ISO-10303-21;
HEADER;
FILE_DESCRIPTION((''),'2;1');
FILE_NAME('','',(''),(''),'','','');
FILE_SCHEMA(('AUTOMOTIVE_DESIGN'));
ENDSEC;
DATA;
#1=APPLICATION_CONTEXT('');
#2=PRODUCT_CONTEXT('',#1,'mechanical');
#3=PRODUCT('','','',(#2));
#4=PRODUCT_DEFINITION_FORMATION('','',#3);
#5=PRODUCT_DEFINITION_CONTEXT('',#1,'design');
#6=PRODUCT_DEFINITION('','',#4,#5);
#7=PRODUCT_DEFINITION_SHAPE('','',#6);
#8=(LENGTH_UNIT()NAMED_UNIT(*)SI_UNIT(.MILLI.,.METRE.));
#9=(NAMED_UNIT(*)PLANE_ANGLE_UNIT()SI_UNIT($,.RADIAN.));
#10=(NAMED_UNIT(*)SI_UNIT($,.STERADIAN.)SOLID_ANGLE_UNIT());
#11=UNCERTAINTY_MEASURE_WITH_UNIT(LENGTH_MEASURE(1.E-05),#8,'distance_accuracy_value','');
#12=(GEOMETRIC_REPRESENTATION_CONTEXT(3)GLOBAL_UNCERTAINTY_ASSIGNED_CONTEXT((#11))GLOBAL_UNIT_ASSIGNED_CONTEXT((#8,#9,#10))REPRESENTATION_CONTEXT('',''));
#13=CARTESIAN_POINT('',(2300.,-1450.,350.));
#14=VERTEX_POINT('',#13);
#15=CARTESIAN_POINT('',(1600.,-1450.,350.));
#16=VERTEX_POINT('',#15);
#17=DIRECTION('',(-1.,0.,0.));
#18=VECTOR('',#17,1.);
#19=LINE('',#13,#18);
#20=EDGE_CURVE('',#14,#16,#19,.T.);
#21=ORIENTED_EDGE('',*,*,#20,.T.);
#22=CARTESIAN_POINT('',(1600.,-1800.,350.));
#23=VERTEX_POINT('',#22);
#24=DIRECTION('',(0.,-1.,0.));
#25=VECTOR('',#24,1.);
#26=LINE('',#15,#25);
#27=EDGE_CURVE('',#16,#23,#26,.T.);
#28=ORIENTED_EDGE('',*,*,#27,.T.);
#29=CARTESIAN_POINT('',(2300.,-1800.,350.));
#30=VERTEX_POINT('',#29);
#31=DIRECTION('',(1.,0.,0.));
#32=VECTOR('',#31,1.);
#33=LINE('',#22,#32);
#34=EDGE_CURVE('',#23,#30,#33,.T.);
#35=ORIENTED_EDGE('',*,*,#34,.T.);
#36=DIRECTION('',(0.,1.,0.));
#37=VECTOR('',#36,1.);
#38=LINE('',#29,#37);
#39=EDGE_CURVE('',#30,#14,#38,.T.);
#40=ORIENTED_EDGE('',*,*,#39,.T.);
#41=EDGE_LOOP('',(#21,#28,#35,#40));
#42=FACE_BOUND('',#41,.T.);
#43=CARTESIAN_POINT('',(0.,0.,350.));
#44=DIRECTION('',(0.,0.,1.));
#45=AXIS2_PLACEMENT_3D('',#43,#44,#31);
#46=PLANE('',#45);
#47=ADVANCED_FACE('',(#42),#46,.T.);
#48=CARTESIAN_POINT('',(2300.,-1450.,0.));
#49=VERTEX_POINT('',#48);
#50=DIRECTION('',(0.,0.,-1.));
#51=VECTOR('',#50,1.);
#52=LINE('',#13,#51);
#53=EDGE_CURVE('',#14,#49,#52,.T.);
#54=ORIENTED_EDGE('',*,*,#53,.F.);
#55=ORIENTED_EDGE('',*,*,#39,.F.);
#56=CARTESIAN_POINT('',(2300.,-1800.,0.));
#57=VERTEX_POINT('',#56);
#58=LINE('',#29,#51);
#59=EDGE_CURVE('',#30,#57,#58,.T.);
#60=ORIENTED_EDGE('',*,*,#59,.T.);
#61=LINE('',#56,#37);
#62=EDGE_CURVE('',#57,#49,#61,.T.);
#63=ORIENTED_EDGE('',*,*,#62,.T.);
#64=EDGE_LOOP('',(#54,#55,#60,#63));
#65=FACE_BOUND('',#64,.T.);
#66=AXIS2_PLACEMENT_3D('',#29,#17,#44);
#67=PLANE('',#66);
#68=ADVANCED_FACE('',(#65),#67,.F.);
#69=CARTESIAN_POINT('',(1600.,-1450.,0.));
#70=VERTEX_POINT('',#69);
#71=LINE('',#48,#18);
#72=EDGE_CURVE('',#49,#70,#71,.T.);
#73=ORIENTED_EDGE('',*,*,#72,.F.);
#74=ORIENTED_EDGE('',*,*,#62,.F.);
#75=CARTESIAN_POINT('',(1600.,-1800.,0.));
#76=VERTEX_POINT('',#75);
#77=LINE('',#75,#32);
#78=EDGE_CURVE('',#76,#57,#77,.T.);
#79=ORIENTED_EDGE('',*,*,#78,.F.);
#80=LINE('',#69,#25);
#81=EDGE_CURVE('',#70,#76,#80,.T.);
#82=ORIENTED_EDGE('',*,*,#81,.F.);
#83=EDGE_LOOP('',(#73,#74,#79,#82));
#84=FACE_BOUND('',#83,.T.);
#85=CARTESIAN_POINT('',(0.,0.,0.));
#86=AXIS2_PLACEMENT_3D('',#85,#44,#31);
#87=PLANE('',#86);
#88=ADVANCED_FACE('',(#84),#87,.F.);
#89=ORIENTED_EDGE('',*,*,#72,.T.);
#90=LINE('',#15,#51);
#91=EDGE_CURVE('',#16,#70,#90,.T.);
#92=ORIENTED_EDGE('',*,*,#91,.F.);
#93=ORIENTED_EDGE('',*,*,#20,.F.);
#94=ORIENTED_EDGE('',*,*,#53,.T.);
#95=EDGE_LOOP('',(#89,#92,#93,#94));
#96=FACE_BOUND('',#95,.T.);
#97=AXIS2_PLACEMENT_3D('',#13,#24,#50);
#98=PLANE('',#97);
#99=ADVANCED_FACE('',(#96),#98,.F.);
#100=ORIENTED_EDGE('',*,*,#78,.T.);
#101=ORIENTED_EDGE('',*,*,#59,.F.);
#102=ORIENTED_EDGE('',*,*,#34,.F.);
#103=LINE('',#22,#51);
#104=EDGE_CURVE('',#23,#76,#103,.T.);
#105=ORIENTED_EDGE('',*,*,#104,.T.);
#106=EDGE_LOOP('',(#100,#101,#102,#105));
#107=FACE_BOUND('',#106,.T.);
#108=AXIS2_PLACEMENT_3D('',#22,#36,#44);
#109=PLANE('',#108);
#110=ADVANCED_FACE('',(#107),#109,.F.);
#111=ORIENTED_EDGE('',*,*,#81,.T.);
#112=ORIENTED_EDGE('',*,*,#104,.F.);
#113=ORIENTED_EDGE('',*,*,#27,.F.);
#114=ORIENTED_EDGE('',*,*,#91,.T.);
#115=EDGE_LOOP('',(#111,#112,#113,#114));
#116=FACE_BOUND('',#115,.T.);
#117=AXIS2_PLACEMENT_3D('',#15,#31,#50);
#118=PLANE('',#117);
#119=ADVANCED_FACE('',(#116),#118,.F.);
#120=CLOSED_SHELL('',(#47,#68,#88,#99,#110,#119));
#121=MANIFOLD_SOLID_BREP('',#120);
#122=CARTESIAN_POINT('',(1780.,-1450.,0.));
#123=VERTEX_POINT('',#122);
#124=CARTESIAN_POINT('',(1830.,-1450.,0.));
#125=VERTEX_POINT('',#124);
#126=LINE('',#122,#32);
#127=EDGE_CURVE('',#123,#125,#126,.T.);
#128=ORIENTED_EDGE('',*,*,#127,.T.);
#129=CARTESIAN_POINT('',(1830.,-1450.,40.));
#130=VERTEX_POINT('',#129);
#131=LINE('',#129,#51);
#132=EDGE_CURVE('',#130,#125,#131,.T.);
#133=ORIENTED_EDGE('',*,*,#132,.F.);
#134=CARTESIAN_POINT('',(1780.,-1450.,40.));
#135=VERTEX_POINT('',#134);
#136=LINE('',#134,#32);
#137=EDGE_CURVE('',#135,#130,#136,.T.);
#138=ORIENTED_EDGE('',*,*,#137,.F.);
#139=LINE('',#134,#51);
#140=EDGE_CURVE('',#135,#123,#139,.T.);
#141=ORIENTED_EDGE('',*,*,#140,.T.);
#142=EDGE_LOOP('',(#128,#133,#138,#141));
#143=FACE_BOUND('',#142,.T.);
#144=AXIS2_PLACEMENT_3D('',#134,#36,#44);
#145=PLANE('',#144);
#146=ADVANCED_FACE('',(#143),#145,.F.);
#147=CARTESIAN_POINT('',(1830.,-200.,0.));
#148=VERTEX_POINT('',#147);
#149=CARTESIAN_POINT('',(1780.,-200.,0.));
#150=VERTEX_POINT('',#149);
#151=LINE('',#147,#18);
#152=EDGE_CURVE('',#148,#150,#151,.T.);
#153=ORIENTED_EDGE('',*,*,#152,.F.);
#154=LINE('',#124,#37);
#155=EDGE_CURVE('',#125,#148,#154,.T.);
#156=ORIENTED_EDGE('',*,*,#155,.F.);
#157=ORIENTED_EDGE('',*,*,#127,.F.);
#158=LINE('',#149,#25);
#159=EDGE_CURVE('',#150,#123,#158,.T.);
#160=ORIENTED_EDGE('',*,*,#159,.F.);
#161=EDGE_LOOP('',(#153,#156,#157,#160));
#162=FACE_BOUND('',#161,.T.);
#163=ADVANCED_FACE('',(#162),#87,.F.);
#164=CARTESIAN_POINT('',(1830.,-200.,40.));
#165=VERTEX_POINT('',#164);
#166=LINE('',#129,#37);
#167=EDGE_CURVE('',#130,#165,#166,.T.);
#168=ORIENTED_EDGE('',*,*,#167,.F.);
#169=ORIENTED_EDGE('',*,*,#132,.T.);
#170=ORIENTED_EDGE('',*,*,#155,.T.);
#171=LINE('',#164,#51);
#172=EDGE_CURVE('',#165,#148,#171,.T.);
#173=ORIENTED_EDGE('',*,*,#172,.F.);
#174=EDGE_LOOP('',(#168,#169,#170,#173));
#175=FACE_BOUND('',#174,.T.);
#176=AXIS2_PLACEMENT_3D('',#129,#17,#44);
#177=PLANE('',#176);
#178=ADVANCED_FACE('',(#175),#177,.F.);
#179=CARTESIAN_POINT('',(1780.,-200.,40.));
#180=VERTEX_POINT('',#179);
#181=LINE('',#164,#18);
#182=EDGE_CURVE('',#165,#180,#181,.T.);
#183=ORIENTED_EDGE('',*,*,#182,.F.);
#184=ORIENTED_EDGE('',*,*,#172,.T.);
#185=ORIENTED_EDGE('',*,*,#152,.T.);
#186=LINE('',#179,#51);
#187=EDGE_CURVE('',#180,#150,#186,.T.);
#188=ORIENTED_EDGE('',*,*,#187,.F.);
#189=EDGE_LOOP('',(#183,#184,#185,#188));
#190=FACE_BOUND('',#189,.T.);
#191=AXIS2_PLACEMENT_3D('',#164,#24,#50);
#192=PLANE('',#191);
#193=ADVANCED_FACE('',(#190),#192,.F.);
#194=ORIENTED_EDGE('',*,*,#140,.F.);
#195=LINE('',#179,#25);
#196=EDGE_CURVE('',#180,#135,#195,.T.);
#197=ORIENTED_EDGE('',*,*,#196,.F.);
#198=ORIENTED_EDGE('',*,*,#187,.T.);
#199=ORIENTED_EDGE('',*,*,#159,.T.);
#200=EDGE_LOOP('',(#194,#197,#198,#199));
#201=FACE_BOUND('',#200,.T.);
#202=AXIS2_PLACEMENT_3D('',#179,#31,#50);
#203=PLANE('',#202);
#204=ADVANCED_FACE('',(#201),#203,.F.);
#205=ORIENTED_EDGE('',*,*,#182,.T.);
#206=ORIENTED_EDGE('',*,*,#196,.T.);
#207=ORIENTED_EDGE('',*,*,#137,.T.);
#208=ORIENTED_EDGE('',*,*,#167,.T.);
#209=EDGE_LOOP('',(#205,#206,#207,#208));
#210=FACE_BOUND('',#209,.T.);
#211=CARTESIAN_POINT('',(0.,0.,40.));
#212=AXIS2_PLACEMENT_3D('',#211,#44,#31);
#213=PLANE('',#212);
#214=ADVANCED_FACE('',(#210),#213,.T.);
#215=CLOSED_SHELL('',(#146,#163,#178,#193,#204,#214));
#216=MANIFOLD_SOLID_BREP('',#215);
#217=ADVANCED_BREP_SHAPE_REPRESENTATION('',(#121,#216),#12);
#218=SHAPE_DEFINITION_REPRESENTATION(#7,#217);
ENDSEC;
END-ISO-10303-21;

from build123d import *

# Parameters (mm, degrees)
SKETCH1_W           = 50
SKETCH1_H           = 1250
BOSS_EXTRUDE1_DEPTH = 40
SKETCH2_W           = 700
SKETCH2_H           = 350
BOSS_EXTRUDE2_DEPTH = 350


with BuildPart() as part:
    # Sketch1 → Boss-Extrude1 (new body)
    with BuildSketch(Plane.XY):
        with Locations((1805, -825)):
            Rectangle(SKETCH1_W, SKETCH1_H)
    extrude(amount=BOSS_EXTRUDE1_DEPTH)


with BuildPart() as body_2:
    # Sketch2 → Boss-Extrude2 (new body)
    with BuildSketch(Plane.XY):
        with Locations((1950, -1625)):
            Rectangle(SKETCH2_W, SKETCH2_H)
    extrude(amount=BOSS_EXTRUDE2_DEPTH)


solid = Compound([part.part, body_2.part])
